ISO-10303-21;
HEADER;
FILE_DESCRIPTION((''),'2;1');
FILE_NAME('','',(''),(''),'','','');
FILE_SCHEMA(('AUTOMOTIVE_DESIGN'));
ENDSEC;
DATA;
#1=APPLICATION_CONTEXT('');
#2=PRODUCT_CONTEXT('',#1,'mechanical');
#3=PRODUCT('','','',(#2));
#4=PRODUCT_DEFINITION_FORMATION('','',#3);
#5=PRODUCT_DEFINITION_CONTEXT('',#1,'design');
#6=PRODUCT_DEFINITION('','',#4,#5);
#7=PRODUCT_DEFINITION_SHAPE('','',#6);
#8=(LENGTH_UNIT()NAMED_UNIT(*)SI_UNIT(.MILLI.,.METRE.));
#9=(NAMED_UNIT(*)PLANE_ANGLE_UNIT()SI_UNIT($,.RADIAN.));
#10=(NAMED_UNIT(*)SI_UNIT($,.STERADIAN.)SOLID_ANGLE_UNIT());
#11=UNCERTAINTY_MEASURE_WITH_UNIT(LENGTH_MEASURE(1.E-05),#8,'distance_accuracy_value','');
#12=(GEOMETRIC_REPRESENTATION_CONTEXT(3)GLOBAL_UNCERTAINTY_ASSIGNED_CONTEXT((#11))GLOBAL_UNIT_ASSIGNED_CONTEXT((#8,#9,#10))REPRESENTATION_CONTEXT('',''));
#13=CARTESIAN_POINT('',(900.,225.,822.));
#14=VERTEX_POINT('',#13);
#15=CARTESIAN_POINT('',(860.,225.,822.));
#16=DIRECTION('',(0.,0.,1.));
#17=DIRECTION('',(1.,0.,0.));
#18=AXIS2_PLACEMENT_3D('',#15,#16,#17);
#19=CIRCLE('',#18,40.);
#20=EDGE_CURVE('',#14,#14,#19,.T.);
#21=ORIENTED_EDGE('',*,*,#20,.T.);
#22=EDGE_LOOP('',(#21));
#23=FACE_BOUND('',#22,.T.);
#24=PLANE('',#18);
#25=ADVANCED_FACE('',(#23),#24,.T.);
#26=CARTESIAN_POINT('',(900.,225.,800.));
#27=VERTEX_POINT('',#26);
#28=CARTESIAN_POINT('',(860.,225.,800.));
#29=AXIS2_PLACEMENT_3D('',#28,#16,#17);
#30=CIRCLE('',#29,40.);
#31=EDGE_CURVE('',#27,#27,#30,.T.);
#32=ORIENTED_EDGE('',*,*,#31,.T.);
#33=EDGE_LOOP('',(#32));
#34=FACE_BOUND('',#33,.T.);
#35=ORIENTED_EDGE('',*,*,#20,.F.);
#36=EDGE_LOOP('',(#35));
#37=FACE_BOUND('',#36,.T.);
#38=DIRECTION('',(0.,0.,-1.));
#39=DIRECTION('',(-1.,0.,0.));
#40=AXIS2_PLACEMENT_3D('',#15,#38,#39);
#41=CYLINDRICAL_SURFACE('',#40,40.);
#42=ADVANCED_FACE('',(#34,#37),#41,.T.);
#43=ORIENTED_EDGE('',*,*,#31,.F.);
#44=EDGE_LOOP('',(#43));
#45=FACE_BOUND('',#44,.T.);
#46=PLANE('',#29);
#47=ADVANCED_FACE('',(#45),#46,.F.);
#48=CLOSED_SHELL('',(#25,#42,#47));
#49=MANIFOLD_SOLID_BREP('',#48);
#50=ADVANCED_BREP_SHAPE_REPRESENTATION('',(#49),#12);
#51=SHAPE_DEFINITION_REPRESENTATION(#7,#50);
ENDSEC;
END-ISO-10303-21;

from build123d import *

# Parameters (mm, degrees)
EXTRUDE_START      = 800
EXTRUDE_SKETCH_1_R = 40
EXTRUDE_1_DEPTH    = 22


with BuildPart() as part:
    # Extrude sketch 1 → Extrude 1 (new body)
    with BuildSketch(Plane.XY.offset(EXTRUDE_START)):
        with Locations((860, 225)):
            Circle(EXTRUDE_SKETCH_1_R)
    extrude(amount=EXTRUDE_1_DEPTH)


solid = part.part
